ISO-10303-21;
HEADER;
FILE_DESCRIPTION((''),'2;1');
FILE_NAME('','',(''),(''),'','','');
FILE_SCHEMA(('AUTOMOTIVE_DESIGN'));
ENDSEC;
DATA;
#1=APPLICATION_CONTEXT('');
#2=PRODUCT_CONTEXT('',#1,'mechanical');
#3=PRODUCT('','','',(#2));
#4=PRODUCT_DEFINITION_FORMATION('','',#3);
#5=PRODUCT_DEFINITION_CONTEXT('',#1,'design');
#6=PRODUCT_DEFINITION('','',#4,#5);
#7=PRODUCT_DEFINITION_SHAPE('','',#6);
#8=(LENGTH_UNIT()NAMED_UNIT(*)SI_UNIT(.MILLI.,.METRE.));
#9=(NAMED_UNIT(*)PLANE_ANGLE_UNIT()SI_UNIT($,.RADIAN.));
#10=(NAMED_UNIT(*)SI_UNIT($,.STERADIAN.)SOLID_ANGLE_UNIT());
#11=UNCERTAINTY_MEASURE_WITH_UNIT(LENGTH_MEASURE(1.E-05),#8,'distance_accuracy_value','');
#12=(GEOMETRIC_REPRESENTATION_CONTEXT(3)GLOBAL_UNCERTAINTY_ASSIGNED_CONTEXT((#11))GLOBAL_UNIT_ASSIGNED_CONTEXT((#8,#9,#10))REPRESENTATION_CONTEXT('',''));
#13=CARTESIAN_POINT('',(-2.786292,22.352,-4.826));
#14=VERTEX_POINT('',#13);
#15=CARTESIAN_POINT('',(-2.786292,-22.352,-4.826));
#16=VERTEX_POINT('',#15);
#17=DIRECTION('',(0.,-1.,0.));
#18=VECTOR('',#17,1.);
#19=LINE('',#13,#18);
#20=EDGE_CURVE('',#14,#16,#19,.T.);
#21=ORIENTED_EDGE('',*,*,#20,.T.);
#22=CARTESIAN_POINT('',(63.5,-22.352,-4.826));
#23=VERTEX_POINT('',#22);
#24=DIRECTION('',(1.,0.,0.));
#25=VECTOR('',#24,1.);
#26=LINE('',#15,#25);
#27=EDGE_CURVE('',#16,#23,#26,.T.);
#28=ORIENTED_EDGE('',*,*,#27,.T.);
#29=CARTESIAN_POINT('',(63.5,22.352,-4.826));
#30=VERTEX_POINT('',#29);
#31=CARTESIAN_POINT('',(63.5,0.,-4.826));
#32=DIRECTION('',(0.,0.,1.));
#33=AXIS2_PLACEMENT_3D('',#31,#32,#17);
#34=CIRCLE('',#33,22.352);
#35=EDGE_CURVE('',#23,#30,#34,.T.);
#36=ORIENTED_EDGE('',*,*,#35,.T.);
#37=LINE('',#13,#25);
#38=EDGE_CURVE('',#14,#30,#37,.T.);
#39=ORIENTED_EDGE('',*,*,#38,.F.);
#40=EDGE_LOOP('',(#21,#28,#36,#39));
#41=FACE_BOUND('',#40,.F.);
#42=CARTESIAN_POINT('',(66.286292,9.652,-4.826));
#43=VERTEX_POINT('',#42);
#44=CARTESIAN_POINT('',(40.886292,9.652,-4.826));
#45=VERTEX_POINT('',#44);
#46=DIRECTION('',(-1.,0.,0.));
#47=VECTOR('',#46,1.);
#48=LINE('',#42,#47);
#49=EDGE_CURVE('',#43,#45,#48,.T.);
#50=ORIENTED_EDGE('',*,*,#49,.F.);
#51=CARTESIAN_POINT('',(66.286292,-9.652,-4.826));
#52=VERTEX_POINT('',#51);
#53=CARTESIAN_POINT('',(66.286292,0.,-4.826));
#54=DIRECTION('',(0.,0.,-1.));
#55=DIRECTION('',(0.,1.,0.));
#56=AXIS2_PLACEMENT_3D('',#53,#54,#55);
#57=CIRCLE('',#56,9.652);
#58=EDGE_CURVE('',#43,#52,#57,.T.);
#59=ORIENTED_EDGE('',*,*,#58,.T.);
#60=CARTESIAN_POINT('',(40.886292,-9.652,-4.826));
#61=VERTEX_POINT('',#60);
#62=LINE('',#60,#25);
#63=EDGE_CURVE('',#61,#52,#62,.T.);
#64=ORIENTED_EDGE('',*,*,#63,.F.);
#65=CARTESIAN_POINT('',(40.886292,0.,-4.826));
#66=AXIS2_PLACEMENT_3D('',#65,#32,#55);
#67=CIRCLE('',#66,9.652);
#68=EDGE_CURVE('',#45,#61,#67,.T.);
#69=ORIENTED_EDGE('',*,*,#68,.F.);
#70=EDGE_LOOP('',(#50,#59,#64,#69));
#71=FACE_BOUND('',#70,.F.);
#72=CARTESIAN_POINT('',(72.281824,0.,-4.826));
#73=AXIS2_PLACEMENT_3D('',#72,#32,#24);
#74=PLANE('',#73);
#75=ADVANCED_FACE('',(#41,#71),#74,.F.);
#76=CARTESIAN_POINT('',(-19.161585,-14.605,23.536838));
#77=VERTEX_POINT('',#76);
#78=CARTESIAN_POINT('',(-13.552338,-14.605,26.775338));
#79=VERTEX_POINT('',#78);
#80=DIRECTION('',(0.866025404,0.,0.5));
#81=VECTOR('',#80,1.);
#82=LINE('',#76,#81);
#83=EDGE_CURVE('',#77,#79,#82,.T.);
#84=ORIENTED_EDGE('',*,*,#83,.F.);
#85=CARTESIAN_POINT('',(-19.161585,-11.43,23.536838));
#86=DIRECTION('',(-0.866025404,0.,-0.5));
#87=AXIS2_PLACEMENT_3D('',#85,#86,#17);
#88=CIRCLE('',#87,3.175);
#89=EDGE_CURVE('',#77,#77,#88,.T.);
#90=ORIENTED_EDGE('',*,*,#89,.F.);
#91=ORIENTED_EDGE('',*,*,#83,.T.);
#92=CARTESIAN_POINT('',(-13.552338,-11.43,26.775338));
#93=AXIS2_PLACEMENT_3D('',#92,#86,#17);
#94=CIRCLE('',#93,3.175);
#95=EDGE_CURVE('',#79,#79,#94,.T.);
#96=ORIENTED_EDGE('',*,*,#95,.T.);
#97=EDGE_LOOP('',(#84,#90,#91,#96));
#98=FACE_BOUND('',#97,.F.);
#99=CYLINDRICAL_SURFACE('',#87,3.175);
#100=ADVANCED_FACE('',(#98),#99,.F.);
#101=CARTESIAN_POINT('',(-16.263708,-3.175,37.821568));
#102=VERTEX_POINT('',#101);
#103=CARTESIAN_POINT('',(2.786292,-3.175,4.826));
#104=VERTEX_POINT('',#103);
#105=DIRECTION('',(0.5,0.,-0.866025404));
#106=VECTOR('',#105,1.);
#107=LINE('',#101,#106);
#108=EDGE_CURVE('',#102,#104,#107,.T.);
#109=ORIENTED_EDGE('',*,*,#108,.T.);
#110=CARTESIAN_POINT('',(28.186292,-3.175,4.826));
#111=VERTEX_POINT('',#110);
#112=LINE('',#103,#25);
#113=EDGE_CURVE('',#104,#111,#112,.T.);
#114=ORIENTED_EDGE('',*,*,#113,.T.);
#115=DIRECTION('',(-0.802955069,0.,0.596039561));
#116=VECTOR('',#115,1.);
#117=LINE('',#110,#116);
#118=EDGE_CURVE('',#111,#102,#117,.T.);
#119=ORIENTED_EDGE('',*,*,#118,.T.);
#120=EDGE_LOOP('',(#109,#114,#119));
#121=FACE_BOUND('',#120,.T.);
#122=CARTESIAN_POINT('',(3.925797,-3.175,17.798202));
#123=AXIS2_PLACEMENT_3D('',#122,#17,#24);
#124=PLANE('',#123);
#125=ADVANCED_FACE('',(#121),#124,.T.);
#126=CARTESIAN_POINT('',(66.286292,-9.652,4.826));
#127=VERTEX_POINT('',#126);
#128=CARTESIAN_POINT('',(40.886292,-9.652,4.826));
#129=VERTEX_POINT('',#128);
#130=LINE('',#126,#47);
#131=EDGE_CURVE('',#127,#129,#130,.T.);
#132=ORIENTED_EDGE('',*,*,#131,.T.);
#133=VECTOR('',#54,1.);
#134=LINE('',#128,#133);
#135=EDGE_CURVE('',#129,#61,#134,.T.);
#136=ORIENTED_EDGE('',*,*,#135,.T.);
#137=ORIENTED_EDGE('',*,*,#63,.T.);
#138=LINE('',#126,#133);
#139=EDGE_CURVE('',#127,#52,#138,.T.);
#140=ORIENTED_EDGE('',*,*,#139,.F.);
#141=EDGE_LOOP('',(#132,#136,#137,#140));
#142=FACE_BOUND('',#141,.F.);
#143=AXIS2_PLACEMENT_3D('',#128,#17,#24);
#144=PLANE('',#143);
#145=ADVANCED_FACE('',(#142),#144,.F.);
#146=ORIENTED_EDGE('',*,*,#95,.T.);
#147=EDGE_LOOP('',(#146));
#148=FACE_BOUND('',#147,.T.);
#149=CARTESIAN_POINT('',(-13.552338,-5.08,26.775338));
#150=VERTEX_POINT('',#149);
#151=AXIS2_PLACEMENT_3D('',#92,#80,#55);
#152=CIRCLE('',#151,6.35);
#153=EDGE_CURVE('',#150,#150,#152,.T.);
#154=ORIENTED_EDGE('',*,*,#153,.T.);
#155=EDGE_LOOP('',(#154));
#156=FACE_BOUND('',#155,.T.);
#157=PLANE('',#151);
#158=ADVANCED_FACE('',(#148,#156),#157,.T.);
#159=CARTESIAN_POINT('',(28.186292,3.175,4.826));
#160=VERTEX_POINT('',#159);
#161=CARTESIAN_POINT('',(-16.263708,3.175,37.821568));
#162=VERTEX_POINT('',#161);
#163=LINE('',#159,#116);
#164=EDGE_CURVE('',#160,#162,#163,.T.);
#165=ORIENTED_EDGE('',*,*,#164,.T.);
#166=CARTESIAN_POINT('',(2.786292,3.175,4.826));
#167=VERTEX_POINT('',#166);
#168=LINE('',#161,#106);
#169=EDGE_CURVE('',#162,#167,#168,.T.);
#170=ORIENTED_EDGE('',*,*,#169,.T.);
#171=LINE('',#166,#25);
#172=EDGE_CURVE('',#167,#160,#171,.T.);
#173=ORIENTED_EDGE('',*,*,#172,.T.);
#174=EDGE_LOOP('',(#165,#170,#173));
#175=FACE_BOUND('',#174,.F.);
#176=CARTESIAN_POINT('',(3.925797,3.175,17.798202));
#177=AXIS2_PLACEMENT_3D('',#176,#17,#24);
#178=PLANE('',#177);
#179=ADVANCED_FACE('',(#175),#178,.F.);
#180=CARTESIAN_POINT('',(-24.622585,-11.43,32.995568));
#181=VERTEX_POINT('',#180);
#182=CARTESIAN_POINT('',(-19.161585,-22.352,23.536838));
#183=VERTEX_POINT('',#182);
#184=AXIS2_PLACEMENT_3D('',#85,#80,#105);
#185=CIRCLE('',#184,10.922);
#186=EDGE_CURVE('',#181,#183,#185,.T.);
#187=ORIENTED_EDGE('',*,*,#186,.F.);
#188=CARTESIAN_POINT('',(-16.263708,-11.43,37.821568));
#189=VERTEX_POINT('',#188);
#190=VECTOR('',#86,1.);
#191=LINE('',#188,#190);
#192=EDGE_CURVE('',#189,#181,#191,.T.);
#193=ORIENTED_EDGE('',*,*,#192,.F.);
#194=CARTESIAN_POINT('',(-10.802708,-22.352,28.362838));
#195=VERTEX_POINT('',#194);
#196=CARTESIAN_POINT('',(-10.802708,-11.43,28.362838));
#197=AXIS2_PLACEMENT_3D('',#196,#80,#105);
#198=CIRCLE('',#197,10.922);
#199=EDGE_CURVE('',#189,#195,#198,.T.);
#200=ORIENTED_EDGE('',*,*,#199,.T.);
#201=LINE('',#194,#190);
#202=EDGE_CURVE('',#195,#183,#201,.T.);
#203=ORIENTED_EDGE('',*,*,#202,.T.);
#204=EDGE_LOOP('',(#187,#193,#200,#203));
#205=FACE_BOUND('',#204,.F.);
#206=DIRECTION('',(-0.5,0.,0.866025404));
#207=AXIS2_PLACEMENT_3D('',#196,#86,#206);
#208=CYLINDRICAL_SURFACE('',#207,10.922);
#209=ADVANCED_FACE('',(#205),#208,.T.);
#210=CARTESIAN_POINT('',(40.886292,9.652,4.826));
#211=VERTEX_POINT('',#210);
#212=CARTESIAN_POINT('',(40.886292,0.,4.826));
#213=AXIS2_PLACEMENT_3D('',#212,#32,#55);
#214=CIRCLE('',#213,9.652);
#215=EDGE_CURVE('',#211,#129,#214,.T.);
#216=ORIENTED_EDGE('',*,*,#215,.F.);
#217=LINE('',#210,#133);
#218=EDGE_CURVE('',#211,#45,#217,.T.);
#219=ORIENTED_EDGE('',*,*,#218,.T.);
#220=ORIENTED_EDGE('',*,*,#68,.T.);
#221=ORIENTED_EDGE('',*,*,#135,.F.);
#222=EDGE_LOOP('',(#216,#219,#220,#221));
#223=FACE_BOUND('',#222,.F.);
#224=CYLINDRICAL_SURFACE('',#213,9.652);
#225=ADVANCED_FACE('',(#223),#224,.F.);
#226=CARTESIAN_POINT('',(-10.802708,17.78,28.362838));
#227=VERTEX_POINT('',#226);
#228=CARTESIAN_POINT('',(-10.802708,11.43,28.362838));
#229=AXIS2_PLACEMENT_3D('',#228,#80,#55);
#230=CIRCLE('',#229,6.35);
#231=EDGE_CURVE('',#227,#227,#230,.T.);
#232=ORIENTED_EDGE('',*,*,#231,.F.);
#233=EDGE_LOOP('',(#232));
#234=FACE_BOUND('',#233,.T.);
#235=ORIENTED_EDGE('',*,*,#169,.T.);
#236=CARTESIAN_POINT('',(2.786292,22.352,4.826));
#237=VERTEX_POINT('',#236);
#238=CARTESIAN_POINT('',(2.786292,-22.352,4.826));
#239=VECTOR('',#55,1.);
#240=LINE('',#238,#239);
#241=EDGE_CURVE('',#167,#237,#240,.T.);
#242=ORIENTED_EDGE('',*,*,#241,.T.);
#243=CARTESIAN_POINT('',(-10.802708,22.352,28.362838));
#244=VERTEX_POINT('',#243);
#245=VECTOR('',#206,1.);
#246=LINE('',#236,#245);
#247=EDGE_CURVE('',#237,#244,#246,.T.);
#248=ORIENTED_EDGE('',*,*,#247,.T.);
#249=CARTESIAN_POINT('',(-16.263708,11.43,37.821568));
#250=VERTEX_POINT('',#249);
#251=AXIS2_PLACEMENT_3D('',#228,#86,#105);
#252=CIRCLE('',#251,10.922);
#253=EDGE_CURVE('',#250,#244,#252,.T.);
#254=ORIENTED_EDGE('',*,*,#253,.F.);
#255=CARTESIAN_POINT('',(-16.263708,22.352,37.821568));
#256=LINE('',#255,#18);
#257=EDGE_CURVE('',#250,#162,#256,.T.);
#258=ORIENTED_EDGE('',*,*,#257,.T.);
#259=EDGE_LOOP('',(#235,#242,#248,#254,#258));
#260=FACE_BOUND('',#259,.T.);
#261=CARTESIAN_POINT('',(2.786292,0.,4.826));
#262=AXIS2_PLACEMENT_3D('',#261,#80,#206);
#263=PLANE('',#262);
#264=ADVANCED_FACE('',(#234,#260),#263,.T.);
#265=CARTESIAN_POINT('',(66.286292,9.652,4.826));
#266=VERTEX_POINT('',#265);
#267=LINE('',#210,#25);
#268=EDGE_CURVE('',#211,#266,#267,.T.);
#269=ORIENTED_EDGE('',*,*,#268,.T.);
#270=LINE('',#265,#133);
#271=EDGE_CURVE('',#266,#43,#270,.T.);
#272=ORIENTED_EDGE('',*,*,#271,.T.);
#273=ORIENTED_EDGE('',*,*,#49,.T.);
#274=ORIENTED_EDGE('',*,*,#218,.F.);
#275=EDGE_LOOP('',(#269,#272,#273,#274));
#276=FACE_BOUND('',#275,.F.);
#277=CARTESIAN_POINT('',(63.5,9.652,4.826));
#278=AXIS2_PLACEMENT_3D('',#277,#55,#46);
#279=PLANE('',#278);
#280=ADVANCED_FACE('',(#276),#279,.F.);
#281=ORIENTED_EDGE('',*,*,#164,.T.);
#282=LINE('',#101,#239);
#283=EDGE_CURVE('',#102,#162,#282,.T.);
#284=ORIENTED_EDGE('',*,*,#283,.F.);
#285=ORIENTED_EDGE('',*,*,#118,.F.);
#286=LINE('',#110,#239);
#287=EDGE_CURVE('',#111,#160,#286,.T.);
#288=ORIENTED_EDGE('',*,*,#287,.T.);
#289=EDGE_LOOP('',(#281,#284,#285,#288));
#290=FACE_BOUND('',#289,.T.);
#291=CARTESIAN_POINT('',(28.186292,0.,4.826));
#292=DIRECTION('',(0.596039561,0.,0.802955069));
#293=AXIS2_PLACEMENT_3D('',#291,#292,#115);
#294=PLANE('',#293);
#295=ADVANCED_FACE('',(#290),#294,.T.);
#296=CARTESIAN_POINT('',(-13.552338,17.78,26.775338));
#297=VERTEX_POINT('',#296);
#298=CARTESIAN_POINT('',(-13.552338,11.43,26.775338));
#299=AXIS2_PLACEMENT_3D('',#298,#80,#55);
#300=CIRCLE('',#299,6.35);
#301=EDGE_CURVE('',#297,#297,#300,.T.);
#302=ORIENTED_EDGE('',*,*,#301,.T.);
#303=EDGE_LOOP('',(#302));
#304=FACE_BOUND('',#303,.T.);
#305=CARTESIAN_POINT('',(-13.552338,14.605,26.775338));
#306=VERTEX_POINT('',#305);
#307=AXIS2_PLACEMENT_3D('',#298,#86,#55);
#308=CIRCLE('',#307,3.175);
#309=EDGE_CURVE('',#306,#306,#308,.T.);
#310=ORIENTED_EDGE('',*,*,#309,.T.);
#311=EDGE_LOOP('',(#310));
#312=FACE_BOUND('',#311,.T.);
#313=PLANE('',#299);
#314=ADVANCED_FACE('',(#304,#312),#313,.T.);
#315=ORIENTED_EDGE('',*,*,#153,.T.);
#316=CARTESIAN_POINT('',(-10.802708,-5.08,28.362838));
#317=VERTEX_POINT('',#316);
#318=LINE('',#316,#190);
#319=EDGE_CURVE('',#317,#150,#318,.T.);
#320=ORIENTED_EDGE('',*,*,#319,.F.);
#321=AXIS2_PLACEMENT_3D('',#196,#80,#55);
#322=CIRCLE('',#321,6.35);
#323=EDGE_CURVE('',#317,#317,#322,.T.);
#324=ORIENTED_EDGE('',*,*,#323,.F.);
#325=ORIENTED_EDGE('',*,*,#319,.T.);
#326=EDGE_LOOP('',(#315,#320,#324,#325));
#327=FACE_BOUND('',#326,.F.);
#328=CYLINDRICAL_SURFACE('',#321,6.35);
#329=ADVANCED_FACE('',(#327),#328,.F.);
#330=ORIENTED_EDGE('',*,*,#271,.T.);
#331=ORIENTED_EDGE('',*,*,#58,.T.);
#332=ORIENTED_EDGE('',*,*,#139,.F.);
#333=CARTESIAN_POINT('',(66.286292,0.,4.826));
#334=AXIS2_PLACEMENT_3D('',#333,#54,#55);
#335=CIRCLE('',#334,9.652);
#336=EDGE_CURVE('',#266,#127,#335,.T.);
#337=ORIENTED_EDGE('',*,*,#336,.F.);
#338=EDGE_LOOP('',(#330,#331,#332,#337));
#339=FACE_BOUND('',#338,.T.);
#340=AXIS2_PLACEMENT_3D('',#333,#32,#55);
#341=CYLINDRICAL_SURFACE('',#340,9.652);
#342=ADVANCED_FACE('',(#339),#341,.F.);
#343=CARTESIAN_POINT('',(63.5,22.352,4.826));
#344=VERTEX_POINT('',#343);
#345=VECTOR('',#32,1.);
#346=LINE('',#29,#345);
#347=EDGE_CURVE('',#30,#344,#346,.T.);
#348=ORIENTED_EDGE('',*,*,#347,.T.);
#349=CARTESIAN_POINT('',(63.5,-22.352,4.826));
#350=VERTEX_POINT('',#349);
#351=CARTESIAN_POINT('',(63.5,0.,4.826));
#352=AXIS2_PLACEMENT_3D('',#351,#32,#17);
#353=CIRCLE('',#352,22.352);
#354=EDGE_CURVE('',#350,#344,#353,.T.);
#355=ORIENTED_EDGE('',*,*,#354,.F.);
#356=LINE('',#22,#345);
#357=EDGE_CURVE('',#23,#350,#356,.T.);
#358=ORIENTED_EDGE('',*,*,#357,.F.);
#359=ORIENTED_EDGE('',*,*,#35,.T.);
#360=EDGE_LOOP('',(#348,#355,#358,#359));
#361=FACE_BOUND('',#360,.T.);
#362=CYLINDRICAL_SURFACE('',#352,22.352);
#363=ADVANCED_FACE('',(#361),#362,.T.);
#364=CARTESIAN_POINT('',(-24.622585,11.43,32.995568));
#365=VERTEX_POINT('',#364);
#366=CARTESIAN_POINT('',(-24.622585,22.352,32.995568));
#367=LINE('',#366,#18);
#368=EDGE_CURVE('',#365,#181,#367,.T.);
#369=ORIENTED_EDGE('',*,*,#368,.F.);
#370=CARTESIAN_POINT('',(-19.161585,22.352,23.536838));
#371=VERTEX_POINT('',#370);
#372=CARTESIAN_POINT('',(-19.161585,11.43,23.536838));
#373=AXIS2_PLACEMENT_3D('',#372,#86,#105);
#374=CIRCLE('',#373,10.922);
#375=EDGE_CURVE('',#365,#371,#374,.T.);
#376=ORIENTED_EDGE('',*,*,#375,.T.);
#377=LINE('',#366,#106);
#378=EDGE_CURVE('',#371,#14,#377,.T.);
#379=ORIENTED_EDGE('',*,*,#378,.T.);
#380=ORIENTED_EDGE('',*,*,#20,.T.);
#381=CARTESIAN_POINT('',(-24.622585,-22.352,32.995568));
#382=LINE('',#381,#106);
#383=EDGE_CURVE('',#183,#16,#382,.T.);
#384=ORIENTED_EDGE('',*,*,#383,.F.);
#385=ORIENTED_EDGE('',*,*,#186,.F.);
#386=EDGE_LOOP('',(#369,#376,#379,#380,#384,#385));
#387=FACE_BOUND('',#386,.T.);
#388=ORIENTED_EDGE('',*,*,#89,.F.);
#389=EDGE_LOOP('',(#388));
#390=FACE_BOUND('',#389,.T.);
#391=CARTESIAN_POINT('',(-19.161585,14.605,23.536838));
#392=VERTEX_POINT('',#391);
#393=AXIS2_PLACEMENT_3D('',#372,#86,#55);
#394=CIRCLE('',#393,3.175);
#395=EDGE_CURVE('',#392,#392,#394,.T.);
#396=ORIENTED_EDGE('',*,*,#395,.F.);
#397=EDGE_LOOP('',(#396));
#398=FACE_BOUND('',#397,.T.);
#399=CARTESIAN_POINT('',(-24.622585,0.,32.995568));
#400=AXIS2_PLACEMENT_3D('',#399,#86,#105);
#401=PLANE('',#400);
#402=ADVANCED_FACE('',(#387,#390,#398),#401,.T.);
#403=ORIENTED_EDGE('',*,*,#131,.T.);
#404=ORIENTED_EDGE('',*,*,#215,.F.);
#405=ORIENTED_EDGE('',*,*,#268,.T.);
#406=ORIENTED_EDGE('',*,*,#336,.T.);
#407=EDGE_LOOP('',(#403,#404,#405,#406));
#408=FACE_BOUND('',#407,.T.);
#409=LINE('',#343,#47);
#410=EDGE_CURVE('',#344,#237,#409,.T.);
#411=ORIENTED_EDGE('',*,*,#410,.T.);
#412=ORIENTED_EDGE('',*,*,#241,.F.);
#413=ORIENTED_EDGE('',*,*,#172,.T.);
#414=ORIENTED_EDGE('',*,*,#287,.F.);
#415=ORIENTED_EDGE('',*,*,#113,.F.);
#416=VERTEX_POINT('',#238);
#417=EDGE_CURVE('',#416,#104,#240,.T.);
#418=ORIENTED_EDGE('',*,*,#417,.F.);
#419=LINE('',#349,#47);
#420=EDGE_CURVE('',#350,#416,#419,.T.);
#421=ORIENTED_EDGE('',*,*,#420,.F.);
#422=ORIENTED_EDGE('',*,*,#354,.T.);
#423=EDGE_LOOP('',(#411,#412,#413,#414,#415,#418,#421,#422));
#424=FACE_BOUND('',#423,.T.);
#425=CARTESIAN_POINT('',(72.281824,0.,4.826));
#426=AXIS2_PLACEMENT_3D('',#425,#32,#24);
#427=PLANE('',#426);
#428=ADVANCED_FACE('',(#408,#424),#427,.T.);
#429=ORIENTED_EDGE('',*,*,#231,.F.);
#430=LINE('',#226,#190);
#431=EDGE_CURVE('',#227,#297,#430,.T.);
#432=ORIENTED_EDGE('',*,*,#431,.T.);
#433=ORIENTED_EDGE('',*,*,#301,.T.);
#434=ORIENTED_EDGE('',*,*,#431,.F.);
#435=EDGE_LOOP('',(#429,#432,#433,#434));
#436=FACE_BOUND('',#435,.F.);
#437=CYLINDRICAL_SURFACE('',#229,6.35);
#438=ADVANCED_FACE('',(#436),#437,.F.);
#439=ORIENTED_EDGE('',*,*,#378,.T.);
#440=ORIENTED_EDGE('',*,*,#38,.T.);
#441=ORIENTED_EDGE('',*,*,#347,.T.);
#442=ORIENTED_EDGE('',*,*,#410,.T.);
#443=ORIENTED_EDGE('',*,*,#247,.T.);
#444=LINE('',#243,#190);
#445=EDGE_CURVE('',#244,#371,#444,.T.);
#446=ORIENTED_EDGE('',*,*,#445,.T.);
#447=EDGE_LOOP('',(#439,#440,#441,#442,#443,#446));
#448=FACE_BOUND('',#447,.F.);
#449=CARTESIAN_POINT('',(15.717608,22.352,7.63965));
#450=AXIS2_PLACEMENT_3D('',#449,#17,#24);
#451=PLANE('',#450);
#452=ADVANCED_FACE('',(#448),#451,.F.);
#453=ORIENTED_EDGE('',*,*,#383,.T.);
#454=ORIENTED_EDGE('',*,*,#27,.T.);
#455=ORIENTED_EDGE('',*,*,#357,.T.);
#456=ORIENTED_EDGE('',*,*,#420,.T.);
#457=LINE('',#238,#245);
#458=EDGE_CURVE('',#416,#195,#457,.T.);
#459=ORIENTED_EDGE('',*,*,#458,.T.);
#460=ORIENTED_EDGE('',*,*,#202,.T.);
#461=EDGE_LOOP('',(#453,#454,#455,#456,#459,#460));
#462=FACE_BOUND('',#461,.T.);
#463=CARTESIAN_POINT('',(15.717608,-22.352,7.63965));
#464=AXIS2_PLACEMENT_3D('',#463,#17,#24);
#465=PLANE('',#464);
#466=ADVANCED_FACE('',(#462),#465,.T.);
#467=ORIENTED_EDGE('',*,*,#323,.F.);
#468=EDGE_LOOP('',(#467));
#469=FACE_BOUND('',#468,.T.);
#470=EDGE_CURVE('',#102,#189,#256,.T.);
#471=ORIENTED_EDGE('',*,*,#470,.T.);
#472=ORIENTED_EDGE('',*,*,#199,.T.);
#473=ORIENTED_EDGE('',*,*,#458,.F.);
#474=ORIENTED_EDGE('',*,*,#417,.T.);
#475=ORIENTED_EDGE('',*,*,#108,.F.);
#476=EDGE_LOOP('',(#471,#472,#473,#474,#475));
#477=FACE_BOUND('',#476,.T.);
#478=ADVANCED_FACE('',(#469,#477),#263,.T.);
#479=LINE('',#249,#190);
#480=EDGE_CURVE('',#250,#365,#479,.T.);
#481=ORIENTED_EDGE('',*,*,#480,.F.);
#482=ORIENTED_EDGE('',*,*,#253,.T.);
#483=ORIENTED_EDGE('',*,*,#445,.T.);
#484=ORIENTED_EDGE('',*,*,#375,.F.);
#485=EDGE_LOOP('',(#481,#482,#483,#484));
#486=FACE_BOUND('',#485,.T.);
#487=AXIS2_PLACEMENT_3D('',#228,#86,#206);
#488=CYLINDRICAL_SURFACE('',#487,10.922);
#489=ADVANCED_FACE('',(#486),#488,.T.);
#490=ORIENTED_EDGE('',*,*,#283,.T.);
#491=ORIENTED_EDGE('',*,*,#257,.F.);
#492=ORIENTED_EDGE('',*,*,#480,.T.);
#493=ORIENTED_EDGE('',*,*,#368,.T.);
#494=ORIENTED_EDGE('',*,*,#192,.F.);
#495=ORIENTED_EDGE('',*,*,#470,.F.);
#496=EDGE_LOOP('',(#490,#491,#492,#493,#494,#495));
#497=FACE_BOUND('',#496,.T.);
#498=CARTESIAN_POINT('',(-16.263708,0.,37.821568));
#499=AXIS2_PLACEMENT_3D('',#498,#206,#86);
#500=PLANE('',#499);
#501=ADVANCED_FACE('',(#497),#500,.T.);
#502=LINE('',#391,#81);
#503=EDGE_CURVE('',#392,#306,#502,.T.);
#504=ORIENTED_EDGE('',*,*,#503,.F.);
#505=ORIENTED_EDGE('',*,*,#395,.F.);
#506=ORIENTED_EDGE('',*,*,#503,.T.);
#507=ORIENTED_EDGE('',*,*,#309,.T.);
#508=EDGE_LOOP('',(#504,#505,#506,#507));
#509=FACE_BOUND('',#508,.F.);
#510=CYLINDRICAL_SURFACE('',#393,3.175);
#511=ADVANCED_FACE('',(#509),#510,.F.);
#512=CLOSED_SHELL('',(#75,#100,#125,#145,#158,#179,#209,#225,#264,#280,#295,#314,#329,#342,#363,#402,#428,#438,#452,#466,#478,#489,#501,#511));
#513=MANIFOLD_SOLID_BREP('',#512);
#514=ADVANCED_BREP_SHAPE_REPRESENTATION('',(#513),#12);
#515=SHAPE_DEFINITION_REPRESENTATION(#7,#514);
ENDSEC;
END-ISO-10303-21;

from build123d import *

# Parameters (mm, degrees)
F1_DEPTH  = 22.352
F2_DEPTH  = 3.175
F3_R      = 10.922
F5_DEPTH  = 9.652
F6_DEPTH  = 25.4
F7_R      = 3.175
F9_DEPTH  = 9.652
F8_R      = 6.35
F10_DEPTH = 3.175


with BuildPart() as f1:
    # F0 (on Front) → F1 (new body, symmetric)
    with BuildSketch(Plane.XZ):
        Polygon((28.1862923991, 4.826), (2.7862923991, 4.826), (-16.2637076009, 37.8215678842), (-24.6225847982, 32.9955678842), (-2.7862923991, -4.826), (63.5, -4.826), (63.5, 4.826), align=None)
    extrude(amount=F1_DEPTH, both=True)

    # F0 (on Front) → F2 (join, symmetric)
    with BuildSketch(Plane.XZ):
        Polygon((-16.2637076009, 37.8215678842), (2.7862923991, 4.826), (28.1862923991, 4.826), align=None)
    extrude(amount=F2_DEPTH, both=True)

    # F3
    f3_edges = [f1.edges().sort_by_distance(p)[0] for p in [
        (-20.443146, -22.352, 35.408568),
        (-20.443146, 22.352, 35.408568),
    ]]
    fillet(f3_edges, radius=F3_R)

    # F4 (on face) → F5 (join)
    with BuildSketch(Plane.XY.offset(4.826)):
        with BuildLine():
            Line((63.5, -9.652), (63.5, -22.352))
            ThreePointArc((63.5, -22.352), (85.852, 0), (63.5, 22.352))
            Line((63.5, 22.352), (63.5, 9.652))
            Line((63.5, 9.652), (66.2862923991, 9.652))
            ThreePointArc((66.2862923991, 9.652), (75.9382923991, 0), (66.2862923991, -9.652))
            Line((66.2862923991, -9.652), (63.5, -9.652))
        make_face()
    extrude(amount=-F5_DEPTH)

    # F4 (on face) → F6 (cut)
    with BuildSketch(Plane.XY.offset(4.826)):
        with BuildLine():
            Line((40.8862923991, -9.652), (63.5, -9.652))
            Line((63.5, -9.652), (63.5, 9.652))
            Line((63.5, 9.652), (40.8862923991, 9.652))
            ThreePointArc((40.8862923991, 9.652), (31.2342923991, 0), (40.8862923991, -9.652))
        make_face()
    extrude(amount=-F6_DEPTH, mode=Mode.SUBTRACT)

    # F7 (on face) → F9 (cut, through all)
    with BuildSketch(Plane(origin=(-4.1794385987, 0, -2.413), x_dir=(0, -1, 0), z_dir=(-0.8660254038, 0, -0.5))):
        with Locations((11.43, 29.9642923991)):
            Circle(F7_R)
        with BuildLine():
            ThreePointArc((-8.255, 29.9642923991), (-11.43, 33.1392923991), (-14.605, 29.9642923991))
            ThreePointArc((-14.605, 29.9642923991), (-11.43, 26.7892923991), (-8.255, 29.9642923991))
        make_face()
    extrude(amount=-F9_DEPTH, mode=Mode.SUBTRACT)

    # F8 (on face) → F10 (cut)
    with BuildSketch(Plane(origin=(4.1794385987, 0, 2.413), x_dir=(0, 1, 0), z_dir=(0.8660254038, 0, 0.5))):
        with Locations((-11.43, 29.9642923991)):
            Circle(F8_R)
        with Locations((11.43, 29.9642923991)):
            Circle(F8_R)
    extrude(amount=-F10_DEPTH, mode=Mode.SUBTRACT)


solid = f1.part
